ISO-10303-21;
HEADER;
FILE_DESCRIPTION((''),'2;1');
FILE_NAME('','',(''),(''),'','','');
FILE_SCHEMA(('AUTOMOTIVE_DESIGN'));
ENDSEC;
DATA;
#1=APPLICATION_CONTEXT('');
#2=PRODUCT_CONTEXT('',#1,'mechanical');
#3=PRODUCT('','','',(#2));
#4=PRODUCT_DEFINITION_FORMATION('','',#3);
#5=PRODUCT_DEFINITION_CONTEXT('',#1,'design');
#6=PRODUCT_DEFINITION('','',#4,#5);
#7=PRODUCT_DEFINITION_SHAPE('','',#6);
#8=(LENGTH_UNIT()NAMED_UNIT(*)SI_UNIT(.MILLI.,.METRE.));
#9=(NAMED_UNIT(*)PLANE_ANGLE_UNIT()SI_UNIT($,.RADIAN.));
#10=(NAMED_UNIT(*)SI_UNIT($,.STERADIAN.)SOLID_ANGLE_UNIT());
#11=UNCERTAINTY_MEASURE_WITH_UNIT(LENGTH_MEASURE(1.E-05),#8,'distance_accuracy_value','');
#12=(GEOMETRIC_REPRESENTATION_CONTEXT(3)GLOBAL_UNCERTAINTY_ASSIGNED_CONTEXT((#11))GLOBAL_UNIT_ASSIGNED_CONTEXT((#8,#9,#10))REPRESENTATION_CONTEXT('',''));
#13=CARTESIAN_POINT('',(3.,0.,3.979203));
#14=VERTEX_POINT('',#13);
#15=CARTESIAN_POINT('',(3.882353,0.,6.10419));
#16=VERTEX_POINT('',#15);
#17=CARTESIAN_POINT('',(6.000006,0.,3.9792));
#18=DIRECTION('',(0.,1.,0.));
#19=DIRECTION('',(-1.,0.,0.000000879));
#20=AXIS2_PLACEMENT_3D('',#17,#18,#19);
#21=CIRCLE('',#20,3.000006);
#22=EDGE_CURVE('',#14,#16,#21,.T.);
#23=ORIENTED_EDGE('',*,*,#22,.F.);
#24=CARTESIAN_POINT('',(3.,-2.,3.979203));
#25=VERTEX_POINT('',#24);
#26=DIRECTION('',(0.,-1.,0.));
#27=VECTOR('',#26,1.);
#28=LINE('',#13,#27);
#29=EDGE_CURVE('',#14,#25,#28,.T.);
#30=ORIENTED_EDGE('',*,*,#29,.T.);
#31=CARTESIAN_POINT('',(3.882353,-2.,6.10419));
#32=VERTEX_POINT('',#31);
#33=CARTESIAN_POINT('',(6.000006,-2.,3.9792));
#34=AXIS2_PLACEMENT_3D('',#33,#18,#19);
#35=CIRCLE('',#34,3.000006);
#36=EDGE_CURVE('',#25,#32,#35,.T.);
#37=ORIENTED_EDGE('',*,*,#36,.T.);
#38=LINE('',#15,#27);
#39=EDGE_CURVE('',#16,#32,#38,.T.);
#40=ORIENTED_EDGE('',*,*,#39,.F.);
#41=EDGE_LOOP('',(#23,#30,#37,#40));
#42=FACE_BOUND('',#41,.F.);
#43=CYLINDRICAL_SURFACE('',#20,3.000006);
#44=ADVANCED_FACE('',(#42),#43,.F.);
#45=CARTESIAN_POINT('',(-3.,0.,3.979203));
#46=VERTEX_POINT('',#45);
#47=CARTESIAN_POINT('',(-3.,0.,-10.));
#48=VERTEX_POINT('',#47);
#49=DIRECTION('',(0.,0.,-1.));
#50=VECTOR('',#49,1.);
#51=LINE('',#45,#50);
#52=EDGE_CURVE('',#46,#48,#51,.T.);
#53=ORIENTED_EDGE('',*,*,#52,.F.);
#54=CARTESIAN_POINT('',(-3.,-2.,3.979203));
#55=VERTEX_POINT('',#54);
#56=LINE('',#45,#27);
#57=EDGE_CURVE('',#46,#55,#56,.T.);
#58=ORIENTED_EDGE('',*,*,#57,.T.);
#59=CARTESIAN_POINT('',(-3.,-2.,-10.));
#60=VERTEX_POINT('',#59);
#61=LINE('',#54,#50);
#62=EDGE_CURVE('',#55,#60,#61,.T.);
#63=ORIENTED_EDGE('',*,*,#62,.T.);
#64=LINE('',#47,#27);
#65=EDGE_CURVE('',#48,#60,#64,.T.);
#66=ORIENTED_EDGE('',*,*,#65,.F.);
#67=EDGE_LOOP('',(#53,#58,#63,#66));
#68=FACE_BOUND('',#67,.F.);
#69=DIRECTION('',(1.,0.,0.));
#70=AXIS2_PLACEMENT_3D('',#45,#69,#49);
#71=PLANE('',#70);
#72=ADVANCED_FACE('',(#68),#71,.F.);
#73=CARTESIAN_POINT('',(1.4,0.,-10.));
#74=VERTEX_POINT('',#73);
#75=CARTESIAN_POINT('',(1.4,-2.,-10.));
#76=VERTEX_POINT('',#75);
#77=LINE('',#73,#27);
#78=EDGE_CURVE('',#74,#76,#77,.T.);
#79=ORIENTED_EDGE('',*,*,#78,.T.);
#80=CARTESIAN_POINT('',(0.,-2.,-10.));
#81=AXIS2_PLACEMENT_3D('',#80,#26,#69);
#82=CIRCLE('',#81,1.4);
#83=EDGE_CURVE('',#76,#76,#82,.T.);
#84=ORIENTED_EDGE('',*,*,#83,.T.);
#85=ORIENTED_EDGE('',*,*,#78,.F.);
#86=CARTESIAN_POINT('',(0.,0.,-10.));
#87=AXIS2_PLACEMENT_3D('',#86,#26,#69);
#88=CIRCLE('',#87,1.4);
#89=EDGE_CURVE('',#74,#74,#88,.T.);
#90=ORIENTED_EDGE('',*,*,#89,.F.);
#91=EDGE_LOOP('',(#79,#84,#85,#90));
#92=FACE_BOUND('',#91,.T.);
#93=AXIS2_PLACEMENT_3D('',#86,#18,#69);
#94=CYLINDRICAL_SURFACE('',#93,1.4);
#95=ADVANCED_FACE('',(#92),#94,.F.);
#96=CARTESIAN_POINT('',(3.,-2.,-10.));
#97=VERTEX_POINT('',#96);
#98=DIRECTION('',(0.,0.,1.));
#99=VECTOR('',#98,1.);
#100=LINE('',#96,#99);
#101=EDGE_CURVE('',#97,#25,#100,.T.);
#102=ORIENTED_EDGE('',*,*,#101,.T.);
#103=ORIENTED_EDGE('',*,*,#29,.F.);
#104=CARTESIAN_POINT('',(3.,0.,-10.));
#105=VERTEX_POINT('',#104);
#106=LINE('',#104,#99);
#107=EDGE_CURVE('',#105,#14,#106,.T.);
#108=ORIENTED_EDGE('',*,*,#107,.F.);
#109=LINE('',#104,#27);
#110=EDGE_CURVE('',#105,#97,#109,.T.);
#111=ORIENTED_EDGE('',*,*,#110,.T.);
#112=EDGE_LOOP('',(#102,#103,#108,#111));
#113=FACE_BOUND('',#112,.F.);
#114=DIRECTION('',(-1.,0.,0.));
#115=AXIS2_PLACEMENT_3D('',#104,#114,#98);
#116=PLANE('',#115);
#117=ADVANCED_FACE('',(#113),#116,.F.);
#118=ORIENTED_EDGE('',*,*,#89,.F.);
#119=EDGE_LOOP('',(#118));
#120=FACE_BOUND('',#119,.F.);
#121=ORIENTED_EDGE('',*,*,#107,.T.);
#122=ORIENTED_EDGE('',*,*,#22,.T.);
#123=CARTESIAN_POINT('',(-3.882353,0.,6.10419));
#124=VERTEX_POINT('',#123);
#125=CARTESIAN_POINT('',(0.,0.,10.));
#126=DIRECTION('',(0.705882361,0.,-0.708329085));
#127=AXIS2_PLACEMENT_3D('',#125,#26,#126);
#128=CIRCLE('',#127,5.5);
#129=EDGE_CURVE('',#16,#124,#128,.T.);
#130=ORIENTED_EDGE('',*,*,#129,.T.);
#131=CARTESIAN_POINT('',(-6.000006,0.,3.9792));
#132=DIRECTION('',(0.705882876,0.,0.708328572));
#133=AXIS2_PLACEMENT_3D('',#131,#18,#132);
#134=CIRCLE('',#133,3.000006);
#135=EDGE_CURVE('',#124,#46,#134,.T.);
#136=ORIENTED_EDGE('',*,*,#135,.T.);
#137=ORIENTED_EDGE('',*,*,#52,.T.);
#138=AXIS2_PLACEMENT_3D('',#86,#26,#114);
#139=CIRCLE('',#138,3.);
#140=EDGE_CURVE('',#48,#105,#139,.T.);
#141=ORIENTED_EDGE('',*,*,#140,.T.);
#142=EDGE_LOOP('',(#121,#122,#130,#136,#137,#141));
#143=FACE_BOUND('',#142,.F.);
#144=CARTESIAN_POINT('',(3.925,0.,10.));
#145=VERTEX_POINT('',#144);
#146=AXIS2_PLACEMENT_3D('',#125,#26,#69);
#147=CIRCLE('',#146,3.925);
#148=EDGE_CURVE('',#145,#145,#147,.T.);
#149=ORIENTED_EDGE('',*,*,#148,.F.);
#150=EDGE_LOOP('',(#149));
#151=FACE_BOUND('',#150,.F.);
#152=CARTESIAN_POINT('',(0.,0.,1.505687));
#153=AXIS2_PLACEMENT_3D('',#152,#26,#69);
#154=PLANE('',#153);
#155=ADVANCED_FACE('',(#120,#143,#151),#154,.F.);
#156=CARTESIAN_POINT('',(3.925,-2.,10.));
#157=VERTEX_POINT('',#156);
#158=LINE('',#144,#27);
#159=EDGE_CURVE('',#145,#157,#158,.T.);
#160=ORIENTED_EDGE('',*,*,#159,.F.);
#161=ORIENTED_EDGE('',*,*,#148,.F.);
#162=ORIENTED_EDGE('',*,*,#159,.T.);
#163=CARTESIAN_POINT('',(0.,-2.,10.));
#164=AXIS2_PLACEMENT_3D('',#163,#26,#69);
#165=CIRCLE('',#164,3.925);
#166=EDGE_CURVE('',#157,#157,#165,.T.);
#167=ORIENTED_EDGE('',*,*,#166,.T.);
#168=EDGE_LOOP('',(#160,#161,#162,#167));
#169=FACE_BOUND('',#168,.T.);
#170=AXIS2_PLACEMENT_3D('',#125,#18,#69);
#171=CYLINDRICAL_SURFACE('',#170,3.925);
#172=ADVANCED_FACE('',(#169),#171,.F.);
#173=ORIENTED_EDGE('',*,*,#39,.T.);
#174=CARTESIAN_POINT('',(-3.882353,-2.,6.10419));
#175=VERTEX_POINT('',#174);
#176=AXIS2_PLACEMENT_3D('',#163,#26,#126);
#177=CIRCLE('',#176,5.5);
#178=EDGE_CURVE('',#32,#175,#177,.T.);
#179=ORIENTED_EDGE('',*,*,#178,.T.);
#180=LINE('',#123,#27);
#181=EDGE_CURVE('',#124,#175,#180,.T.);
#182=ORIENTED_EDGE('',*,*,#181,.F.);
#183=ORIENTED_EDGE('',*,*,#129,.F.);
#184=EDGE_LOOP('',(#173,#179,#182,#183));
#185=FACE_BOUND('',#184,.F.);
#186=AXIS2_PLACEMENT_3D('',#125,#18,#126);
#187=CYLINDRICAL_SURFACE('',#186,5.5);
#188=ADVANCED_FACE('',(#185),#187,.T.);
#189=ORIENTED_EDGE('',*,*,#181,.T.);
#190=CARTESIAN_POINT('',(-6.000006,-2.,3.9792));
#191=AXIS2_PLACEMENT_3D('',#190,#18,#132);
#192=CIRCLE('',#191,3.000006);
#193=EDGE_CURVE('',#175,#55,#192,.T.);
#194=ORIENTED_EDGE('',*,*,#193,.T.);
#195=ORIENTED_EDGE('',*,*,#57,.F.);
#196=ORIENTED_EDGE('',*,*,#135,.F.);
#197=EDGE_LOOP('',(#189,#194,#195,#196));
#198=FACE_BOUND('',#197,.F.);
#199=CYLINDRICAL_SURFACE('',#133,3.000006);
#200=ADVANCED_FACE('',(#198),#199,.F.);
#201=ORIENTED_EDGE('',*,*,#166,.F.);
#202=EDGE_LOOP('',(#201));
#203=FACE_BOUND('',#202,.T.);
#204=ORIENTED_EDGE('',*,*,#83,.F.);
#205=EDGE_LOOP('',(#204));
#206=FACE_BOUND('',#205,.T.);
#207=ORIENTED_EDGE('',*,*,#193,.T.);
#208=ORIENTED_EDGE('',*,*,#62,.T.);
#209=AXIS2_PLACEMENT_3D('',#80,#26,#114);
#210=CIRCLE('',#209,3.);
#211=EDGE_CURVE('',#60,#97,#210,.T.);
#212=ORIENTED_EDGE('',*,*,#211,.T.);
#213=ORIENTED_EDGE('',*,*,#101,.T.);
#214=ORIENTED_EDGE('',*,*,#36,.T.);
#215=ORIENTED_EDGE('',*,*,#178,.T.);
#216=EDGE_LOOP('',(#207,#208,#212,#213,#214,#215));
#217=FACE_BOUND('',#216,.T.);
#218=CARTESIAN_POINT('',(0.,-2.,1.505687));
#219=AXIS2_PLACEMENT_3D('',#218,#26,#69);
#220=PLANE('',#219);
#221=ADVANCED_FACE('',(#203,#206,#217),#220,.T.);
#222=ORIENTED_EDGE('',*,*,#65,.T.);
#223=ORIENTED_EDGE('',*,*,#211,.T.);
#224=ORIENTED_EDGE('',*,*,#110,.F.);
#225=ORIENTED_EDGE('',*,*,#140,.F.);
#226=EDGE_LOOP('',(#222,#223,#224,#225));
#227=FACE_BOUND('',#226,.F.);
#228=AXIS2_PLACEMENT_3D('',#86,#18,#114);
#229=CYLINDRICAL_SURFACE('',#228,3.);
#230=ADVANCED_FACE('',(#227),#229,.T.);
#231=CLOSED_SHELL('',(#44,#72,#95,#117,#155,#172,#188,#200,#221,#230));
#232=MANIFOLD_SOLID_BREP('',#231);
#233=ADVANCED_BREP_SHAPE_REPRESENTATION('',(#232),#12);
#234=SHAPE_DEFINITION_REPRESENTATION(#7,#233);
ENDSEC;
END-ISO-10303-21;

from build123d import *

# Parameters (mm, degrees)
F0_R     = 1.4
F0_R_2   = 3.925
F1_DEPTH = 2


with BuildPart() as f1:
    # F0 (on Front) → F1 (new body)
    with BuildSketch(Plane.XZ):
        with BuildLine():
            ThreePointArc((-3.882353, 6.10419), (-3.229356, 5.12965), (-3, 3.979203))
            Line((-3, 3.979203), (-3, 0))
            Line((-3, 0), (-3, -10))
            ThreePointArc((-3, -10), (0, -13), (3, -10))
            Line((3, -10), (3, 0))
            Line((3, 0), (3, 3.979203))
            ThreePointArc((3, 3.979203), (3.229356, 5.12965), (3.882353, 6.10419))
            ThreePointArc((3.882353, 6.10419), (0, 15.5), (-3.882353, 6.10419))
        make_face()
        with Locations((0, -10)):
            Circle(F0_R, mode=Mode.SUBTRACT)
        with Locations((0, 10)):
            Circle(F0_R_2, mode=Mode.SUBTRACT)
    extrude(amount=F1_DEPTH)


solid = f1.part
